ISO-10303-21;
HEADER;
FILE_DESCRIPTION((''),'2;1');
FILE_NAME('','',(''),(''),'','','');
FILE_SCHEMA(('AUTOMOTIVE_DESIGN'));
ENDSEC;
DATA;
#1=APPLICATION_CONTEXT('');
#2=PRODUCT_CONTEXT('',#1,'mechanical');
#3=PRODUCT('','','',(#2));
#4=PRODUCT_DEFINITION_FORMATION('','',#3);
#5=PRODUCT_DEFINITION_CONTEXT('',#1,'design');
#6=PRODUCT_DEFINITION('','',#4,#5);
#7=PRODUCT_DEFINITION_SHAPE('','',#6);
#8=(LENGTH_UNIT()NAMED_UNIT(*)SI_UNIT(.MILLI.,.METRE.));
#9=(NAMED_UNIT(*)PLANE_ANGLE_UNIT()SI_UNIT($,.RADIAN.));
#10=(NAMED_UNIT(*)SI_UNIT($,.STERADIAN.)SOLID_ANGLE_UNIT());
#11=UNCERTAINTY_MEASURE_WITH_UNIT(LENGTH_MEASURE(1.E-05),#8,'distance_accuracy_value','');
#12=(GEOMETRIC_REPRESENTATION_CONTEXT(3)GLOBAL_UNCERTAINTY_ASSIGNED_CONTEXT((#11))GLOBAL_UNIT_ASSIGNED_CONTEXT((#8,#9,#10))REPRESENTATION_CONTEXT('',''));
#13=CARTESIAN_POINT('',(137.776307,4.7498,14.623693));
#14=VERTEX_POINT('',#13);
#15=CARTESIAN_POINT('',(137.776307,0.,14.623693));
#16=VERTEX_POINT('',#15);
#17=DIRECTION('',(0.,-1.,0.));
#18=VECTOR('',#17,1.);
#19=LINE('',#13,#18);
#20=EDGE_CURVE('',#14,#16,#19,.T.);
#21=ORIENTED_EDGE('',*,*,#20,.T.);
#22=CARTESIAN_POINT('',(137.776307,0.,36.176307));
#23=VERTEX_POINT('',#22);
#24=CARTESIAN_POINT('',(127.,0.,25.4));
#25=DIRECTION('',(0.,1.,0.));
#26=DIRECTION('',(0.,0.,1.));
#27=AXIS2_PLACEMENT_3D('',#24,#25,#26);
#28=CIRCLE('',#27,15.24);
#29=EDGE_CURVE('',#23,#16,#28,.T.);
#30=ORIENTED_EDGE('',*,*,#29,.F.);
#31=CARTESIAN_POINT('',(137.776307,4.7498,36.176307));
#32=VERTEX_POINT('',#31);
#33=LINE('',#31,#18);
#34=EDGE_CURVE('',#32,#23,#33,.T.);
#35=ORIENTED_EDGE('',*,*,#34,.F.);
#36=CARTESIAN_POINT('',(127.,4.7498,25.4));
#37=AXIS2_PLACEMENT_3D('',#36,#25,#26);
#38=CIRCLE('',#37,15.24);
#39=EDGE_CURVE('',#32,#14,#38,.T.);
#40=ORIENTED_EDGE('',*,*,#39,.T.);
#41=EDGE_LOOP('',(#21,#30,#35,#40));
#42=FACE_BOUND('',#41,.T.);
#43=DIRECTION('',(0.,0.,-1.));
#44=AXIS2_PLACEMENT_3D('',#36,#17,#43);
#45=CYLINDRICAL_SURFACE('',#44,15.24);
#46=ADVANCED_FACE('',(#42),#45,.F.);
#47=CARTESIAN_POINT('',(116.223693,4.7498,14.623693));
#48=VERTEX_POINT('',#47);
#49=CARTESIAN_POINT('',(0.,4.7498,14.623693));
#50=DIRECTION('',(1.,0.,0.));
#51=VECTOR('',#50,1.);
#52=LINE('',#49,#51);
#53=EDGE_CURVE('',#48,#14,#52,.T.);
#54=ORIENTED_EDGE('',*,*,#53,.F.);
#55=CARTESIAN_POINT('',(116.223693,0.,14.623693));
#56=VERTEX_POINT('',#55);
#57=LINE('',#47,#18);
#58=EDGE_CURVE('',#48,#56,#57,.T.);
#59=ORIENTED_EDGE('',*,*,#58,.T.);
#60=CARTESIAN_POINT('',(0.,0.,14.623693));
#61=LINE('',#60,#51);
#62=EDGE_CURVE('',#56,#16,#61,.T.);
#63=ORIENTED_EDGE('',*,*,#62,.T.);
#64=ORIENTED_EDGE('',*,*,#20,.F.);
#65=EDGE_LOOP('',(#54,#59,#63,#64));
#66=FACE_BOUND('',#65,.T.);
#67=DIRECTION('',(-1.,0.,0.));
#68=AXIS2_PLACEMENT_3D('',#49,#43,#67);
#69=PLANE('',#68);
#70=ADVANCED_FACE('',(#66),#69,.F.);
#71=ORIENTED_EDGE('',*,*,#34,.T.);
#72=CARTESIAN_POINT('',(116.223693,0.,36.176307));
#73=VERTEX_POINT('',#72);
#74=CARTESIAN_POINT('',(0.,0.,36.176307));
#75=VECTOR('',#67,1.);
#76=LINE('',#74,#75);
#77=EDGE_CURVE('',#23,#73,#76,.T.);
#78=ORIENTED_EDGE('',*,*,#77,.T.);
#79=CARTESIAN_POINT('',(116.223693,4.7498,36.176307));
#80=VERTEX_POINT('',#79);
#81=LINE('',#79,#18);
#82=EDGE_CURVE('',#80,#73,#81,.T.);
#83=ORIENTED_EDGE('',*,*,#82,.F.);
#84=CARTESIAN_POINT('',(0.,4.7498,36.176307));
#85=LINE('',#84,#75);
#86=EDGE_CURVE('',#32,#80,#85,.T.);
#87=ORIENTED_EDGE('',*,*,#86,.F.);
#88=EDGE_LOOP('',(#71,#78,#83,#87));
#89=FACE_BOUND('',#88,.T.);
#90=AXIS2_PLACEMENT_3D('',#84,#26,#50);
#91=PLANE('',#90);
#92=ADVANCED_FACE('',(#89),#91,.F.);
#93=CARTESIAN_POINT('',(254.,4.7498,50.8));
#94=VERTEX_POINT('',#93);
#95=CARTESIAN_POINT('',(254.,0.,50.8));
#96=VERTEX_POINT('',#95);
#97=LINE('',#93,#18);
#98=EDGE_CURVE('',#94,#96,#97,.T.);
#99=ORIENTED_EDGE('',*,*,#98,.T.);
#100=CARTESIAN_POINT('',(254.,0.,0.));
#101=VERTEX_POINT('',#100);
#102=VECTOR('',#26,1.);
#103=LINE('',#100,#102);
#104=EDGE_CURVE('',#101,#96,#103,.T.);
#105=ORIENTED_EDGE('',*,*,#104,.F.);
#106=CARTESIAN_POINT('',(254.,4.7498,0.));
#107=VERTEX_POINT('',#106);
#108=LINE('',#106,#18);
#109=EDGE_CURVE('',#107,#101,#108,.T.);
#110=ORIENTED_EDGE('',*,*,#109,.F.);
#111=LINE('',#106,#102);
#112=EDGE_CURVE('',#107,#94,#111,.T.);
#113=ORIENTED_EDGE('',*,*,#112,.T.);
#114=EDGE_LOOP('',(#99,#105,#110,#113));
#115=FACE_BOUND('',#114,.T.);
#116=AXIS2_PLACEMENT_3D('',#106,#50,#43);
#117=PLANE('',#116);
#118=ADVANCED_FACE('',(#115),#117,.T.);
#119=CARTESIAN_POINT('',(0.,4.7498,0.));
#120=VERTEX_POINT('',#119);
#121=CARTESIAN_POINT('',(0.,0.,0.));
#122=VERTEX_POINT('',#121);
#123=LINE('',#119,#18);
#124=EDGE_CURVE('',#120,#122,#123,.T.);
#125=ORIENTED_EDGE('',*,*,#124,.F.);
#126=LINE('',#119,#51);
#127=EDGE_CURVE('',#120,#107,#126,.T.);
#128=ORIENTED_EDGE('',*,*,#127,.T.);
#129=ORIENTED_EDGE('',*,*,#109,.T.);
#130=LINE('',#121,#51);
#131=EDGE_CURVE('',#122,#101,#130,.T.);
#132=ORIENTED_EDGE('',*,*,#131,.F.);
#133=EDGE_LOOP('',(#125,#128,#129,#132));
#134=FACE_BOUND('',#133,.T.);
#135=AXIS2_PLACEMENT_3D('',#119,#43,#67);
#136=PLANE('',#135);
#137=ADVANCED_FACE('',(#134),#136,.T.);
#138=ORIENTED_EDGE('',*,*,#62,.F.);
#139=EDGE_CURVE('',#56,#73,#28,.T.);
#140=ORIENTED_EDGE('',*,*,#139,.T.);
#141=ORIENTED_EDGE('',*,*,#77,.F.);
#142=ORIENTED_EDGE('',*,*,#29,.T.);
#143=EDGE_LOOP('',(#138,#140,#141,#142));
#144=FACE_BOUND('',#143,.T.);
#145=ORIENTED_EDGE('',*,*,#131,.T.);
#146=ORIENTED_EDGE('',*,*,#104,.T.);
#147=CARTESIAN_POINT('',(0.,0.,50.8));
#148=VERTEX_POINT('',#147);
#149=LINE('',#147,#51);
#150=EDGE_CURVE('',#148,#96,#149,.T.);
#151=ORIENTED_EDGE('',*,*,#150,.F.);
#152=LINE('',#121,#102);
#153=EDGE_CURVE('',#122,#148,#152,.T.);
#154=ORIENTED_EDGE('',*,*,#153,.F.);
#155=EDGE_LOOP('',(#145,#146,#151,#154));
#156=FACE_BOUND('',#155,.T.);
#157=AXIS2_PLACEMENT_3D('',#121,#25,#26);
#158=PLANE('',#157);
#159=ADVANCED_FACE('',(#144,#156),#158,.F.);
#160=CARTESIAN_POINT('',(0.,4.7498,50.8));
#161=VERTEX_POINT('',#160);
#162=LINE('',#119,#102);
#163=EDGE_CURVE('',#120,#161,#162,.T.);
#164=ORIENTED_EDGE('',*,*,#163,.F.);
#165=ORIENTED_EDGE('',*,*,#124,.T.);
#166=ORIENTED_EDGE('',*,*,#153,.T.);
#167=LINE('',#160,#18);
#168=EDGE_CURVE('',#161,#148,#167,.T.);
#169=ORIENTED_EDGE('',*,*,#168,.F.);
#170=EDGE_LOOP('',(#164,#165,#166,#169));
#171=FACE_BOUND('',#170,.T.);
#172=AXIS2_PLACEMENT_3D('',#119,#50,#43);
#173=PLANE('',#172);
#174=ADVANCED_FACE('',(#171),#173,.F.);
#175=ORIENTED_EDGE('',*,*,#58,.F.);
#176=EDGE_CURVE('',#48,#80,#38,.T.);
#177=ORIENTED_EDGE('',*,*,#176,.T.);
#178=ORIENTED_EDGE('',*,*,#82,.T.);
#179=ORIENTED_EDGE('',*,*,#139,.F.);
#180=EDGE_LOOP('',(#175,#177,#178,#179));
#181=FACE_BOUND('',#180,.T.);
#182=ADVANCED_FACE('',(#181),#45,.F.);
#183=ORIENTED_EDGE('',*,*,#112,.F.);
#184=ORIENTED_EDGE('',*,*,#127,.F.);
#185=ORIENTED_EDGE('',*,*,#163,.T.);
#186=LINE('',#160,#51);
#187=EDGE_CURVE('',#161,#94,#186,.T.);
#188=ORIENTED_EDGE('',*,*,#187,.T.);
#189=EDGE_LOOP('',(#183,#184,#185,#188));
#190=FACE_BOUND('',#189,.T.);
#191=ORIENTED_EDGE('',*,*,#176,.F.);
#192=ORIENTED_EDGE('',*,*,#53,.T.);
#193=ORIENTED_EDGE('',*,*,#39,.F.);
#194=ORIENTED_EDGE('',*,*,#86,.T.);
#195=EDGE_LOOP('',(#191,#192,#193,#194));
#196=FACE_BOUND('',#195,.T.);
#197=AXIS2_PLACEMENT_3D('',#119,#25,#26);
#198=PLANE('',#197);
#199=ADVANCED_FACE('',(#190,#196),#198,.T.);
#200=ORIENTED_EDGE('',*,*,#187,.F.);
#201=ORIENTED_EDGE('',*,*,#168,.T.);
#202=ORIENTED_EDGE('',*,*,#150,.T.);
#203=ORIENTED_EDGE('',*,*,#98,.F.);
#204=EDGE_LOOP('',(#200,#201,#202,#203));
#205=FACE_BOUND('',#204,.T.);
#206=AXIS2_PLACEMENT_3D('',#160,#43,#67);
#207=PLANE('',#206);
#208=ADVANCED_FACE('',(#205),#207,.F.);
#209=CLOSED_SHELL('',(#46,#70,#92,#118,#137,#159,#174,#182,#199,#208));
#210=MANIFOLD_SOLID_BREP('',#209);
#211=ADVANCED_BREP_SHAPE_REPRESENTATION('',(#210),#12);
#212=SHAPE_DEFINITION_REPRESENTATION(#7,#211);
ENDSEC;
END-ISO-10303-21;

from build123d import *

# Parameters (mm, degrees)
SKETCH1_W           = 254
SKETCH1_H           = 50.8
SKETCH1_R           = 15.24
BOSS_EXTRUDE1_DEPTH = 4.7498


with BuildPart() as part:
    # Sketch1 → Boss-Extrude1 (new body)
    # profile 1 of 3: a face of its own
    with BuildSketch(Plane(origin=(0, 0, 0), x_dir=(1, 0, 0), z_dir=(0, 1, 0))):
        with Locations((127, -25.4)):
            Rectangle(SKETCH1_W, SKETCH1_H)
        with Locations((127, -25.4)):
            Circle(SKETCH1_R, mode=Mode.SUBTRACT)
    # profile 2 of 3: a face of its own
    with BuildSketch(Plane(origin=(0, 0, 0), x_dir=(1, 0, 0), z_dir=(0, 1, 0))):
        with BuildLine():
            ThreePointArc((137.776307345, -14.623692655), (127, -10.16), (116.223692655, -14.623692655))
            Line((116.223692655, -14.623692655), (137.776307345, -14.623692655))
        make_face()
    # profile 3 of 3: a face of its own
    with BuildSketch(Plane(origin=(0, 0, 0), x_dir=(1, 0, 0), z_dir=(0, 1, 0))):
        with BuildLine():
            ThreePointArc((116.223692655, -36.176307345), (127, -40.64), (137.776307345, -36.176307345))
            Line((137.776307345, -36.176307345), (116.223692655, -36.176307345))
        make_face()
    extrude(amount=BOSS_EXTRUDE1_DEPTH)


solid = part.part
